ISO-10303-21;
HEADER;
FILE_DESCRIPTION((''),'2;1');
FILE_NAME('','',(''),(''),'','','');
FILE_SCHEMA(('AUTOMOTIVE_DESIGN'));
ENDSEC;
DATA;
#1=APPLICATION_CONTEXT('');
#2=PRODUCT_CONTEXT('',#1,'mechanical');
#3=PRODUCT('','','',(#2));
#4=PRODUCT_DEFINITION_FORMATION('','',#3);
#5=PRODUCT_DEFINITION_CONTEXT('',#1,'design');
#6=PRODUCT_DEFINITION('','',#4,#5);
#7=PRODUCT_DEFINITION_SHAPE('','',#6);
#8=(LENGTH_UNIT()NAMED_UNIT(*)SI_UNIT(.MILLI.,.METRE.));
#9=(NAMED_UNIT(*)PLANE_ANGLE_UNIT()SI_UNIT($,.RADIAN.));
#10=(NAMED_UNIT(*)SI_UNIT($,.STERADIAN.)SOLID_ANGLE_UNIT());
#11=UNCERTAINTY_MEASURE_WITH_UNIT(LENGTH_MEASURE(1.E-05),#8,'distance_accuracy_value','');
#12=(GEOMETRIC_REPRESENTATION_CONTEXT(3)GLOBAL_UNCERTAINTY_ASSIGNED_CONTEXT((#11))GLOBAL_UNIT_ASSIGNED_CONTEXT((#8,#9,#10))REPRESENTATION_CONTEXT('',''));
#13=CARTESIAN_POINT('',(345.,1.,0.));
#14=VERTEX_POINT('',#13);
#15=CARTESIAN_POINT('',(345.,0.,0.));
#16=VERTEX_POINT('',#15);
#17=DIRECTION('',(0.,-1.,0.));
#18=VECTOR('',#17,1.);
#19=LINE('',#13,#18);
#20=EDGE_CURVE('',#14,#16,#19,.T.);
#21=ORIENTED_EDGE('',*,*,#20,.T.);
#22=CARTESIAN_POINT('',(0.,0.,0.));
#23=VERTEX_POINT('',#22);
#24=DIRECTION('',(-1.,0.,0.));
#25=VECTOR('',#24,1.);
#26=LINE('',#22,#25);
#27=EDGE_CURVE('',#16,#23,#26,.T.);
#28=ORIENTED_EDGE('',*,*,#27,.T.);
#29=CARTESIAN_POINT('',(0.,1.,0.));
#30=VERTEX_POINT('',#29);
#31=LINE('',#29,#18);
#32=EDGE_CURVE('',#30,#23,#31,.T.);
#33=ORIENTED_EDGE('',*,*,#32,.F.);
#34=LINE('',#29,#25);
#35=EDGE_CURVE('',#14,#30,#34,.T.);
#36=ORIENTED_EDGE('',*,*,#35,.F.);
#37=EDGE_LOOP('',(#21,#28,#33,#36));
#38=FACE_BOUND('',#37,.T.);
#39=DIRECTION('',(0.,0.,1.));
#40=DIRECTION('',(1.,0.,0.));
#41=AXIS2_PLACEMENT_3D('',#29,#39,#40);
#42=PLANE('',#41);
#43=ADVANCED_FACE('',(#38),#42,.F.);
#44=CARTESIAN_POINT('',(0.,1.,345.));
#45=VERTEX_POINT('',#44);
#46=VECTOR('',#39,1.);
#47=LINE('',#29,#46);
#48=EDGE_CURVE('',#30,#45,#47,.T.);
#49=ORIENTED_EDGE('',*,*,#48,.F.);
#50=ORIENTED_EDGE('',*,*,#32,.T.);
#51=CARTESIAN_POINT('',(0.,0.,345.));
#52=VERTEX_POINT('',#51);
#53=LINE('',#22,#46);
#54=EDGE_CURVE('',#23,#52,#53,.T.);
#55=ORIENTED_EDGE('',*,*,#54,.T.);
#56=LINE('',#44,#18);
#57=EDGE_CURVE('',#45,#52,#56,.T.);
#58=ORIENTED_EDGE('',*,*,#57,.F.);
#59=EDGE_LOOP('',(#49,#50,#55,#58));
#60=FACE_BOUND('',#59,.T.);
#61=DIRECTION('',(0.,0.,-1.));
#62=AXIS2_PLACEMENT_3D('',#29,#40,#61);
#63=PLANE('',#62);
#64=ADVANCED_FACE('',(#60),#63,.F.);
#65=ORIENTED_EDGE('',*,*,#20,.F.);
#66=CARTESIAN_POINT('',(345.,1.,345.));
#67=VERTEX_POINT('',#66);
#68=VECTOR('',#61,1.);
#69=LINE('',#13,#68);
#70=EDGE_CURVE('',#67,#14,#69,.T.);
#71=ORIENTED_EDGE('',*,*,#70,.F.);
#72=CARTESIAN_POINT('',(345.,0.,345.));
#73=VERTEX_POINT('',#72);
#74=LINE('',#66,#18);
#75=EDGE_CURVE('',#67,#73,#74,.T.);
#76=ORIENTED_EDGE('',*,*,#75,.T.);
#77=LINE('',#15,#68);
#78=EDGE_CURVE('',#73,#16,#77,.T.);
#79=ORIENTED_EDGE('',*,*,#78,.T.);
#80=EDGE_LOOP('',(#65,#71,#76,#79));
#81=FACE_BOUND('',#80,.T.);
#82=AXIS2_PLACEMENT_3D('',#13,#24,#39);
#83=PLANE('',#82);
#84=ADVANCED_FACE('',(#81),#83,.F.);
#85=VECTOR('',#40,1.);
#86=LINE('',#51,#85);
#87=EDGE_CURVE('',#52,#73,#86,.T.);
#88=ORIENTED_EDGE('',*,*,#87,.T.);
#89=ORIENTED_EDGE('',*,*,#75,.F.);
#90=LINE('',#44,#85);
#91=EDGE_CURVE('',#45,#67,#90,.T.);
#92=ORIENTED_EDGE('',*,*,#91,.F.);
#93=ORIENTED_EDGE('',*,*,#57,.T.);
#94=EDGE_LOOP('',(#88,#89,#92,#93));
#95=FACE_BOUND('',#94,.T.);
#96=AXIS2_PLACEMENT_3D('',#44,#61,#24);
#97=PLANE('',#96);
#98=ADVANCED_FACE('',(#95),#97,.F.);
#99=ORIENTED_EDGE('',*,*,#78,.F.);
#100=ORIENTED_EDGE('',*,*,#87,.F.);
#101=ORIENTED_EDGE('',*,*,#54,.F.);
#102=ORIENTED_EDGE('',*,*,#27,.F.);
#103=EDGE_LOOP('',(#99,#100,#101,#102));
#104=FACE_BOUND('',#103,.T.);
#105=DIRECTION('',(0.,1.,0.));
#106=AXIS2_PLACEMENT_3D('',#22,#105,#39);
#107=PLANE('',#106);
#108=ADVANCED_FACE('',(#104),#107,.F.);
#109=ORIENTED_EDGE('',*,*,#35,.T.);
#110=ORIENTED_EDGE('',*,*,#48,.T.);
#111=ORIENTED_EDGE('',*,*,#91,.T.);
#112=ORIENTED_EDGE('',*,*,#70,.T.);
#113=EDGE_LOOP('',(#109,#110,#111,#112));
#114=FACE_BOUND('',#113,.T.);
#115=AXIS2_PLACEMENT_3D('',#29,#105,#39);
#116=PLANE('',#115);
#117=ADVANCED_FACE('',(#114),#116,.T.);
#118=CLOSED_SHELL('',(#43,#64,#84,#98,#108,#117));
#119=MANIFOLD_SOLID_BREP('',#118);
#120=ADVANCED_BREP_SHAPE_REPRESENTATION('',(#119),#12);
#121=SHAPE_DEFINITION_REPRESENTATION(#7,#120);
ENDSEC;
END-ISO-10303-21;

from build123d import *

# Parameters (mm, degrees)
SZKIC1_W                    = 345
SZKIC1_H                    = 345
DODANIE_WYCI_GNI_CIE1_DEPTH = 1


with BuildPart() as part:
    # Szkic1 → Dodanie-wyciągnięcie1 (new body)
    with BuildSketch(Plane(origin=(0, 0, 0), x_dir=(1, 0, 0), z_dir=(0, 1, 0))):
        with Locations((172.5, -172.5)):
            Rectangle(SZKIC1_W, SZKIC1_H)
    extrude(amount=DODANIE_WYCI_GNI_CIE1_DEPTH)


solid = part.part
